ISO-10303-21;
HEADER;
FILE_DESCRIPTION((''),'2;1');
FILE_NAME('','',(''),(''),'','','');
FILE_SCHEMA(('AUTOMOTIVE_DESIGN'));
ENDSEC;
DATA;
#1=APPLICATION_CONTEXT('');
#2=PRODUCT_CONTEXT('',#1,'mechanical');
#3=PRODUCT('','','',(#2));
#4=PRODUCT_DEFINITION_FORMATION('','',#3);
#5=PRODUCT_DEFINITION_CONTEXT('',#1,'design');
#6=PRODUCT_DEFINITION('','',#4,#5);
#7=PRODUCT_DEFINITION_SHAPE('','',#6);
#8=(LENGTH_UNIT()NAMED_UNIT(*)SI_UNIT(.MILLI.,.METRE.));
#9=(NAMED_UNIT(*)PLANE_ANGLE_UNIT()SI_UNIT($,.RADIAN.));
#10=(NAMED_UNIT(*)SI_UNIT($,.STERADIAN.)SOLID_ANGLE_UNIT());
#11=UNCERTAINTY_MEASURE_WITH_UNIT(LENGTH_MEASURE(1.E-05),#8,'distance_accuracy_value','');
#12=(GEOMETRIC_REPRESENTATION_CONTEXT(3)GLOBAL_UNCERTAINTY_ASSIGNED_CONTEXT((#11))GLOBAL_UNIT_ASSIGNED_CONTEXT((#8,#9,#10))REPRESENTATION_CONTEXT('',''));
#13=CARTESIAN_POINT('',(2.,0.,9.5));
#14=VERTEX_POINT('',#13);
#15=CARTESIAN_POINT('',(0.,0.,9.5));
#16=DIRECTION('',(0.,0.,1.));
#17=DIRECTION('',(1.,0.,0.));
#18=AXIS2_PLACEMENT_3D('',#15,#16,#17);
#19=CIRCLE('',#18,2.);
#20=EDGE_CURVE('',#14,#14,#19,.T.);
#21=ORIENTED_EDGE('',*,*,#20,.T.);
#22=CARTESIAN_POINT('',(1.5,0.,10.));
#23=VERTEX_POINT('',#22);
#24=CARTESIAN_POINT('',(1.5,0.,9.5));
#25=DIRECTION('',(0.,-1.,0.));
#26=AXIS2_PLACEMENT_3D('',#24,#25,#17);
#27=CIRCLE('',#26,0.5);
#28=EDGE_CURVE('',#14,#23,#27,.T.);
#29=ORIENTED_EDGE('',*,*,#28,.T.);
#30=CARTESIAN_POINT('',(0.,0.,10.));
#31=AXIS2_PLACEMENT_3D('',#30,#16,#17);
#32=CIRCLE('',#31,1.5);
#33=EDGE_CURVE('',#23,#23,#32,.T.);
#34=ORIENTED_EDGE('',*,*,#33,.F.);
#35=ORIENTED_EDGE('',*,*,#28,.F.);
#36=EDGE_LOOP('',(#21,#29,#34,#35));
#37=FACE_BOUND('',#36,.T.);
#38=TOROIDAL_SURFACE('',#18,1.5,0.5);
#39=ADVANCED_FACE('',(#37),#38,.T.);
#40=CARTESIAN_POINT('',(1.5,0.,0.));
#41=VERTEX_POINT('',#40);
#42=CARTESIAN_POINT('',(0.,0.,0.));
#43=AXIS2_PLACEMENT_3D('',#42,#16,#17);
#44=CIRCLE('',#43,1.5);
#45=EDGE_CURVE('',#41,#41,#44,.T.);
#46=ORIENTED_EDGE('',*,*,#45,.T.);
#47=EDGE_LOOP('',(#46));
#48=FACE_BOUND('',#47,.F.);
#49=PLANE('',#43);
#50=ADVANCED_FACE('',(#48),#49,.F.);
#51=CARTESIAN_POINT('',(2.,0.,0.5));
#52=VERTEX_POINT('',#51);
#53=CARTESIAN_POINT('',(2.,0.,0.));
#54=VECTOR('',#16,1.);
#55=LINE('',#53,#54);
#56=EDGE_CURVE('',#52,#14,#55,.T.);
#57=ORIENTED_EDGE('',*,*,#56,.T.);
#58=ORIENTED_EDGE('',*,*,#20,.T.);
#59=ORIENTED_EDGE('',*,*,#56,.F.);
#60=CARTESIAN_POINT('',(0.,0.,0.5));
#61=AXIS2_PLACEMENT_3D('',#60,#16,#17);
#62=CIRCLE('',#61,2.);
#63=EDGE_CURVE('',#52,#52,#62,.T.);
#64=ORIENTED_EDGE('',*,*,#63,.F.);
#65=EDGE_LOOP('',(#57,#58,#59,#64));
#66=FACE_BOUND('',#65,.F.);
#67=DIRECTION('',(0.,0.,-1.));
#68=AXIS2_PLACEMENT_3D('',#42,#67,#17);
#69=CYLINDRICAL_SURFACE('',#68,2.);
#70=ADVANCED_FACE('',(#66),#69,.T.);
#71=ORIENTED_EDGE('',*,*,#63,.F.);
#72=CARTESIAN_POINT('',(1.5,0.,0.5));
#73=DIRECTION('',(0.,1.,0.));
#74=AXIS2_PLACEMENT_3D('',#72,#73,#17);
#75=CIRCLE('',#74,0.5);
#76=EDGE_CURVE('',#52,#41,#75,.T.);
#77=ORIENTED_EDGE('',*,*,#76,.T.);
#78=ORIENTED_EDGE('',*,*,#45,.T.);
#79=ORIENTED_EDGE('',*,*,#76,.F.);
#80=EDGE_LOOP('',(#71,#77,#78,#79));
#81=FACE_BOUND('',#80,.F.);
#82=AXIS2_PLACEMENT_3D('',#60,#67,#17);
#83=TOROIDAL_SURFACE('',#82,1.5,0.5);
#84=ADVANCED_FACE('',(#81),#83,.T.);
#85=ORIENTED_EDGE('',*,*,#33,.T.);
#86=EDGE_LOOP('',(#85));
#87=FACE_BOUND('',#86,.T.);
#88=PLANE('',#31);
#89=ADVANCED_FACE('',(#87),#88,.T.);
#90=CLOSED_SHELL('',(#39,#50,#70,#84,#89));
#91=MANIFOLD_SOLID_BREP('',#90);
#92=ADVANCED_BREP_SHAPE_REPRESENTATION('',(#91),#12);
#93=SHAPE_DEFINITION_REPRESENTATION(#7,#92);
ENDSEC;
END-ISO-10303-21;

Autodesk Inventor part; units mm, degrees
ref_plane "YZ Plane" through (0, 0, 0) normal (1, 0, 0) x (0, 1, 0)
ref_plane "XZ Plane" through (0, 0, 0) normal (0, 1, 0) x (-1, 0, 0)
ref_plane "XY Plane" through (0, 0, 0) normal (0, 0, 1) x (1, 0, 0)
sketch "Sketch1" plane through (0, 0, 0) normal (0, 0, 1) x (1, 0, 0)
  circle A0 centre (0, 0) radius 2
  dimension "d0" = 4
extrude "Extrusion1" add sketch "Sketch1" along normal blind 10
fillet "Fillet1" radius 0.5 2 edges at (-2, 0, 10) (-2, 0, 0)
properties part number "CP Pin d4" material "Stainless Steel"
